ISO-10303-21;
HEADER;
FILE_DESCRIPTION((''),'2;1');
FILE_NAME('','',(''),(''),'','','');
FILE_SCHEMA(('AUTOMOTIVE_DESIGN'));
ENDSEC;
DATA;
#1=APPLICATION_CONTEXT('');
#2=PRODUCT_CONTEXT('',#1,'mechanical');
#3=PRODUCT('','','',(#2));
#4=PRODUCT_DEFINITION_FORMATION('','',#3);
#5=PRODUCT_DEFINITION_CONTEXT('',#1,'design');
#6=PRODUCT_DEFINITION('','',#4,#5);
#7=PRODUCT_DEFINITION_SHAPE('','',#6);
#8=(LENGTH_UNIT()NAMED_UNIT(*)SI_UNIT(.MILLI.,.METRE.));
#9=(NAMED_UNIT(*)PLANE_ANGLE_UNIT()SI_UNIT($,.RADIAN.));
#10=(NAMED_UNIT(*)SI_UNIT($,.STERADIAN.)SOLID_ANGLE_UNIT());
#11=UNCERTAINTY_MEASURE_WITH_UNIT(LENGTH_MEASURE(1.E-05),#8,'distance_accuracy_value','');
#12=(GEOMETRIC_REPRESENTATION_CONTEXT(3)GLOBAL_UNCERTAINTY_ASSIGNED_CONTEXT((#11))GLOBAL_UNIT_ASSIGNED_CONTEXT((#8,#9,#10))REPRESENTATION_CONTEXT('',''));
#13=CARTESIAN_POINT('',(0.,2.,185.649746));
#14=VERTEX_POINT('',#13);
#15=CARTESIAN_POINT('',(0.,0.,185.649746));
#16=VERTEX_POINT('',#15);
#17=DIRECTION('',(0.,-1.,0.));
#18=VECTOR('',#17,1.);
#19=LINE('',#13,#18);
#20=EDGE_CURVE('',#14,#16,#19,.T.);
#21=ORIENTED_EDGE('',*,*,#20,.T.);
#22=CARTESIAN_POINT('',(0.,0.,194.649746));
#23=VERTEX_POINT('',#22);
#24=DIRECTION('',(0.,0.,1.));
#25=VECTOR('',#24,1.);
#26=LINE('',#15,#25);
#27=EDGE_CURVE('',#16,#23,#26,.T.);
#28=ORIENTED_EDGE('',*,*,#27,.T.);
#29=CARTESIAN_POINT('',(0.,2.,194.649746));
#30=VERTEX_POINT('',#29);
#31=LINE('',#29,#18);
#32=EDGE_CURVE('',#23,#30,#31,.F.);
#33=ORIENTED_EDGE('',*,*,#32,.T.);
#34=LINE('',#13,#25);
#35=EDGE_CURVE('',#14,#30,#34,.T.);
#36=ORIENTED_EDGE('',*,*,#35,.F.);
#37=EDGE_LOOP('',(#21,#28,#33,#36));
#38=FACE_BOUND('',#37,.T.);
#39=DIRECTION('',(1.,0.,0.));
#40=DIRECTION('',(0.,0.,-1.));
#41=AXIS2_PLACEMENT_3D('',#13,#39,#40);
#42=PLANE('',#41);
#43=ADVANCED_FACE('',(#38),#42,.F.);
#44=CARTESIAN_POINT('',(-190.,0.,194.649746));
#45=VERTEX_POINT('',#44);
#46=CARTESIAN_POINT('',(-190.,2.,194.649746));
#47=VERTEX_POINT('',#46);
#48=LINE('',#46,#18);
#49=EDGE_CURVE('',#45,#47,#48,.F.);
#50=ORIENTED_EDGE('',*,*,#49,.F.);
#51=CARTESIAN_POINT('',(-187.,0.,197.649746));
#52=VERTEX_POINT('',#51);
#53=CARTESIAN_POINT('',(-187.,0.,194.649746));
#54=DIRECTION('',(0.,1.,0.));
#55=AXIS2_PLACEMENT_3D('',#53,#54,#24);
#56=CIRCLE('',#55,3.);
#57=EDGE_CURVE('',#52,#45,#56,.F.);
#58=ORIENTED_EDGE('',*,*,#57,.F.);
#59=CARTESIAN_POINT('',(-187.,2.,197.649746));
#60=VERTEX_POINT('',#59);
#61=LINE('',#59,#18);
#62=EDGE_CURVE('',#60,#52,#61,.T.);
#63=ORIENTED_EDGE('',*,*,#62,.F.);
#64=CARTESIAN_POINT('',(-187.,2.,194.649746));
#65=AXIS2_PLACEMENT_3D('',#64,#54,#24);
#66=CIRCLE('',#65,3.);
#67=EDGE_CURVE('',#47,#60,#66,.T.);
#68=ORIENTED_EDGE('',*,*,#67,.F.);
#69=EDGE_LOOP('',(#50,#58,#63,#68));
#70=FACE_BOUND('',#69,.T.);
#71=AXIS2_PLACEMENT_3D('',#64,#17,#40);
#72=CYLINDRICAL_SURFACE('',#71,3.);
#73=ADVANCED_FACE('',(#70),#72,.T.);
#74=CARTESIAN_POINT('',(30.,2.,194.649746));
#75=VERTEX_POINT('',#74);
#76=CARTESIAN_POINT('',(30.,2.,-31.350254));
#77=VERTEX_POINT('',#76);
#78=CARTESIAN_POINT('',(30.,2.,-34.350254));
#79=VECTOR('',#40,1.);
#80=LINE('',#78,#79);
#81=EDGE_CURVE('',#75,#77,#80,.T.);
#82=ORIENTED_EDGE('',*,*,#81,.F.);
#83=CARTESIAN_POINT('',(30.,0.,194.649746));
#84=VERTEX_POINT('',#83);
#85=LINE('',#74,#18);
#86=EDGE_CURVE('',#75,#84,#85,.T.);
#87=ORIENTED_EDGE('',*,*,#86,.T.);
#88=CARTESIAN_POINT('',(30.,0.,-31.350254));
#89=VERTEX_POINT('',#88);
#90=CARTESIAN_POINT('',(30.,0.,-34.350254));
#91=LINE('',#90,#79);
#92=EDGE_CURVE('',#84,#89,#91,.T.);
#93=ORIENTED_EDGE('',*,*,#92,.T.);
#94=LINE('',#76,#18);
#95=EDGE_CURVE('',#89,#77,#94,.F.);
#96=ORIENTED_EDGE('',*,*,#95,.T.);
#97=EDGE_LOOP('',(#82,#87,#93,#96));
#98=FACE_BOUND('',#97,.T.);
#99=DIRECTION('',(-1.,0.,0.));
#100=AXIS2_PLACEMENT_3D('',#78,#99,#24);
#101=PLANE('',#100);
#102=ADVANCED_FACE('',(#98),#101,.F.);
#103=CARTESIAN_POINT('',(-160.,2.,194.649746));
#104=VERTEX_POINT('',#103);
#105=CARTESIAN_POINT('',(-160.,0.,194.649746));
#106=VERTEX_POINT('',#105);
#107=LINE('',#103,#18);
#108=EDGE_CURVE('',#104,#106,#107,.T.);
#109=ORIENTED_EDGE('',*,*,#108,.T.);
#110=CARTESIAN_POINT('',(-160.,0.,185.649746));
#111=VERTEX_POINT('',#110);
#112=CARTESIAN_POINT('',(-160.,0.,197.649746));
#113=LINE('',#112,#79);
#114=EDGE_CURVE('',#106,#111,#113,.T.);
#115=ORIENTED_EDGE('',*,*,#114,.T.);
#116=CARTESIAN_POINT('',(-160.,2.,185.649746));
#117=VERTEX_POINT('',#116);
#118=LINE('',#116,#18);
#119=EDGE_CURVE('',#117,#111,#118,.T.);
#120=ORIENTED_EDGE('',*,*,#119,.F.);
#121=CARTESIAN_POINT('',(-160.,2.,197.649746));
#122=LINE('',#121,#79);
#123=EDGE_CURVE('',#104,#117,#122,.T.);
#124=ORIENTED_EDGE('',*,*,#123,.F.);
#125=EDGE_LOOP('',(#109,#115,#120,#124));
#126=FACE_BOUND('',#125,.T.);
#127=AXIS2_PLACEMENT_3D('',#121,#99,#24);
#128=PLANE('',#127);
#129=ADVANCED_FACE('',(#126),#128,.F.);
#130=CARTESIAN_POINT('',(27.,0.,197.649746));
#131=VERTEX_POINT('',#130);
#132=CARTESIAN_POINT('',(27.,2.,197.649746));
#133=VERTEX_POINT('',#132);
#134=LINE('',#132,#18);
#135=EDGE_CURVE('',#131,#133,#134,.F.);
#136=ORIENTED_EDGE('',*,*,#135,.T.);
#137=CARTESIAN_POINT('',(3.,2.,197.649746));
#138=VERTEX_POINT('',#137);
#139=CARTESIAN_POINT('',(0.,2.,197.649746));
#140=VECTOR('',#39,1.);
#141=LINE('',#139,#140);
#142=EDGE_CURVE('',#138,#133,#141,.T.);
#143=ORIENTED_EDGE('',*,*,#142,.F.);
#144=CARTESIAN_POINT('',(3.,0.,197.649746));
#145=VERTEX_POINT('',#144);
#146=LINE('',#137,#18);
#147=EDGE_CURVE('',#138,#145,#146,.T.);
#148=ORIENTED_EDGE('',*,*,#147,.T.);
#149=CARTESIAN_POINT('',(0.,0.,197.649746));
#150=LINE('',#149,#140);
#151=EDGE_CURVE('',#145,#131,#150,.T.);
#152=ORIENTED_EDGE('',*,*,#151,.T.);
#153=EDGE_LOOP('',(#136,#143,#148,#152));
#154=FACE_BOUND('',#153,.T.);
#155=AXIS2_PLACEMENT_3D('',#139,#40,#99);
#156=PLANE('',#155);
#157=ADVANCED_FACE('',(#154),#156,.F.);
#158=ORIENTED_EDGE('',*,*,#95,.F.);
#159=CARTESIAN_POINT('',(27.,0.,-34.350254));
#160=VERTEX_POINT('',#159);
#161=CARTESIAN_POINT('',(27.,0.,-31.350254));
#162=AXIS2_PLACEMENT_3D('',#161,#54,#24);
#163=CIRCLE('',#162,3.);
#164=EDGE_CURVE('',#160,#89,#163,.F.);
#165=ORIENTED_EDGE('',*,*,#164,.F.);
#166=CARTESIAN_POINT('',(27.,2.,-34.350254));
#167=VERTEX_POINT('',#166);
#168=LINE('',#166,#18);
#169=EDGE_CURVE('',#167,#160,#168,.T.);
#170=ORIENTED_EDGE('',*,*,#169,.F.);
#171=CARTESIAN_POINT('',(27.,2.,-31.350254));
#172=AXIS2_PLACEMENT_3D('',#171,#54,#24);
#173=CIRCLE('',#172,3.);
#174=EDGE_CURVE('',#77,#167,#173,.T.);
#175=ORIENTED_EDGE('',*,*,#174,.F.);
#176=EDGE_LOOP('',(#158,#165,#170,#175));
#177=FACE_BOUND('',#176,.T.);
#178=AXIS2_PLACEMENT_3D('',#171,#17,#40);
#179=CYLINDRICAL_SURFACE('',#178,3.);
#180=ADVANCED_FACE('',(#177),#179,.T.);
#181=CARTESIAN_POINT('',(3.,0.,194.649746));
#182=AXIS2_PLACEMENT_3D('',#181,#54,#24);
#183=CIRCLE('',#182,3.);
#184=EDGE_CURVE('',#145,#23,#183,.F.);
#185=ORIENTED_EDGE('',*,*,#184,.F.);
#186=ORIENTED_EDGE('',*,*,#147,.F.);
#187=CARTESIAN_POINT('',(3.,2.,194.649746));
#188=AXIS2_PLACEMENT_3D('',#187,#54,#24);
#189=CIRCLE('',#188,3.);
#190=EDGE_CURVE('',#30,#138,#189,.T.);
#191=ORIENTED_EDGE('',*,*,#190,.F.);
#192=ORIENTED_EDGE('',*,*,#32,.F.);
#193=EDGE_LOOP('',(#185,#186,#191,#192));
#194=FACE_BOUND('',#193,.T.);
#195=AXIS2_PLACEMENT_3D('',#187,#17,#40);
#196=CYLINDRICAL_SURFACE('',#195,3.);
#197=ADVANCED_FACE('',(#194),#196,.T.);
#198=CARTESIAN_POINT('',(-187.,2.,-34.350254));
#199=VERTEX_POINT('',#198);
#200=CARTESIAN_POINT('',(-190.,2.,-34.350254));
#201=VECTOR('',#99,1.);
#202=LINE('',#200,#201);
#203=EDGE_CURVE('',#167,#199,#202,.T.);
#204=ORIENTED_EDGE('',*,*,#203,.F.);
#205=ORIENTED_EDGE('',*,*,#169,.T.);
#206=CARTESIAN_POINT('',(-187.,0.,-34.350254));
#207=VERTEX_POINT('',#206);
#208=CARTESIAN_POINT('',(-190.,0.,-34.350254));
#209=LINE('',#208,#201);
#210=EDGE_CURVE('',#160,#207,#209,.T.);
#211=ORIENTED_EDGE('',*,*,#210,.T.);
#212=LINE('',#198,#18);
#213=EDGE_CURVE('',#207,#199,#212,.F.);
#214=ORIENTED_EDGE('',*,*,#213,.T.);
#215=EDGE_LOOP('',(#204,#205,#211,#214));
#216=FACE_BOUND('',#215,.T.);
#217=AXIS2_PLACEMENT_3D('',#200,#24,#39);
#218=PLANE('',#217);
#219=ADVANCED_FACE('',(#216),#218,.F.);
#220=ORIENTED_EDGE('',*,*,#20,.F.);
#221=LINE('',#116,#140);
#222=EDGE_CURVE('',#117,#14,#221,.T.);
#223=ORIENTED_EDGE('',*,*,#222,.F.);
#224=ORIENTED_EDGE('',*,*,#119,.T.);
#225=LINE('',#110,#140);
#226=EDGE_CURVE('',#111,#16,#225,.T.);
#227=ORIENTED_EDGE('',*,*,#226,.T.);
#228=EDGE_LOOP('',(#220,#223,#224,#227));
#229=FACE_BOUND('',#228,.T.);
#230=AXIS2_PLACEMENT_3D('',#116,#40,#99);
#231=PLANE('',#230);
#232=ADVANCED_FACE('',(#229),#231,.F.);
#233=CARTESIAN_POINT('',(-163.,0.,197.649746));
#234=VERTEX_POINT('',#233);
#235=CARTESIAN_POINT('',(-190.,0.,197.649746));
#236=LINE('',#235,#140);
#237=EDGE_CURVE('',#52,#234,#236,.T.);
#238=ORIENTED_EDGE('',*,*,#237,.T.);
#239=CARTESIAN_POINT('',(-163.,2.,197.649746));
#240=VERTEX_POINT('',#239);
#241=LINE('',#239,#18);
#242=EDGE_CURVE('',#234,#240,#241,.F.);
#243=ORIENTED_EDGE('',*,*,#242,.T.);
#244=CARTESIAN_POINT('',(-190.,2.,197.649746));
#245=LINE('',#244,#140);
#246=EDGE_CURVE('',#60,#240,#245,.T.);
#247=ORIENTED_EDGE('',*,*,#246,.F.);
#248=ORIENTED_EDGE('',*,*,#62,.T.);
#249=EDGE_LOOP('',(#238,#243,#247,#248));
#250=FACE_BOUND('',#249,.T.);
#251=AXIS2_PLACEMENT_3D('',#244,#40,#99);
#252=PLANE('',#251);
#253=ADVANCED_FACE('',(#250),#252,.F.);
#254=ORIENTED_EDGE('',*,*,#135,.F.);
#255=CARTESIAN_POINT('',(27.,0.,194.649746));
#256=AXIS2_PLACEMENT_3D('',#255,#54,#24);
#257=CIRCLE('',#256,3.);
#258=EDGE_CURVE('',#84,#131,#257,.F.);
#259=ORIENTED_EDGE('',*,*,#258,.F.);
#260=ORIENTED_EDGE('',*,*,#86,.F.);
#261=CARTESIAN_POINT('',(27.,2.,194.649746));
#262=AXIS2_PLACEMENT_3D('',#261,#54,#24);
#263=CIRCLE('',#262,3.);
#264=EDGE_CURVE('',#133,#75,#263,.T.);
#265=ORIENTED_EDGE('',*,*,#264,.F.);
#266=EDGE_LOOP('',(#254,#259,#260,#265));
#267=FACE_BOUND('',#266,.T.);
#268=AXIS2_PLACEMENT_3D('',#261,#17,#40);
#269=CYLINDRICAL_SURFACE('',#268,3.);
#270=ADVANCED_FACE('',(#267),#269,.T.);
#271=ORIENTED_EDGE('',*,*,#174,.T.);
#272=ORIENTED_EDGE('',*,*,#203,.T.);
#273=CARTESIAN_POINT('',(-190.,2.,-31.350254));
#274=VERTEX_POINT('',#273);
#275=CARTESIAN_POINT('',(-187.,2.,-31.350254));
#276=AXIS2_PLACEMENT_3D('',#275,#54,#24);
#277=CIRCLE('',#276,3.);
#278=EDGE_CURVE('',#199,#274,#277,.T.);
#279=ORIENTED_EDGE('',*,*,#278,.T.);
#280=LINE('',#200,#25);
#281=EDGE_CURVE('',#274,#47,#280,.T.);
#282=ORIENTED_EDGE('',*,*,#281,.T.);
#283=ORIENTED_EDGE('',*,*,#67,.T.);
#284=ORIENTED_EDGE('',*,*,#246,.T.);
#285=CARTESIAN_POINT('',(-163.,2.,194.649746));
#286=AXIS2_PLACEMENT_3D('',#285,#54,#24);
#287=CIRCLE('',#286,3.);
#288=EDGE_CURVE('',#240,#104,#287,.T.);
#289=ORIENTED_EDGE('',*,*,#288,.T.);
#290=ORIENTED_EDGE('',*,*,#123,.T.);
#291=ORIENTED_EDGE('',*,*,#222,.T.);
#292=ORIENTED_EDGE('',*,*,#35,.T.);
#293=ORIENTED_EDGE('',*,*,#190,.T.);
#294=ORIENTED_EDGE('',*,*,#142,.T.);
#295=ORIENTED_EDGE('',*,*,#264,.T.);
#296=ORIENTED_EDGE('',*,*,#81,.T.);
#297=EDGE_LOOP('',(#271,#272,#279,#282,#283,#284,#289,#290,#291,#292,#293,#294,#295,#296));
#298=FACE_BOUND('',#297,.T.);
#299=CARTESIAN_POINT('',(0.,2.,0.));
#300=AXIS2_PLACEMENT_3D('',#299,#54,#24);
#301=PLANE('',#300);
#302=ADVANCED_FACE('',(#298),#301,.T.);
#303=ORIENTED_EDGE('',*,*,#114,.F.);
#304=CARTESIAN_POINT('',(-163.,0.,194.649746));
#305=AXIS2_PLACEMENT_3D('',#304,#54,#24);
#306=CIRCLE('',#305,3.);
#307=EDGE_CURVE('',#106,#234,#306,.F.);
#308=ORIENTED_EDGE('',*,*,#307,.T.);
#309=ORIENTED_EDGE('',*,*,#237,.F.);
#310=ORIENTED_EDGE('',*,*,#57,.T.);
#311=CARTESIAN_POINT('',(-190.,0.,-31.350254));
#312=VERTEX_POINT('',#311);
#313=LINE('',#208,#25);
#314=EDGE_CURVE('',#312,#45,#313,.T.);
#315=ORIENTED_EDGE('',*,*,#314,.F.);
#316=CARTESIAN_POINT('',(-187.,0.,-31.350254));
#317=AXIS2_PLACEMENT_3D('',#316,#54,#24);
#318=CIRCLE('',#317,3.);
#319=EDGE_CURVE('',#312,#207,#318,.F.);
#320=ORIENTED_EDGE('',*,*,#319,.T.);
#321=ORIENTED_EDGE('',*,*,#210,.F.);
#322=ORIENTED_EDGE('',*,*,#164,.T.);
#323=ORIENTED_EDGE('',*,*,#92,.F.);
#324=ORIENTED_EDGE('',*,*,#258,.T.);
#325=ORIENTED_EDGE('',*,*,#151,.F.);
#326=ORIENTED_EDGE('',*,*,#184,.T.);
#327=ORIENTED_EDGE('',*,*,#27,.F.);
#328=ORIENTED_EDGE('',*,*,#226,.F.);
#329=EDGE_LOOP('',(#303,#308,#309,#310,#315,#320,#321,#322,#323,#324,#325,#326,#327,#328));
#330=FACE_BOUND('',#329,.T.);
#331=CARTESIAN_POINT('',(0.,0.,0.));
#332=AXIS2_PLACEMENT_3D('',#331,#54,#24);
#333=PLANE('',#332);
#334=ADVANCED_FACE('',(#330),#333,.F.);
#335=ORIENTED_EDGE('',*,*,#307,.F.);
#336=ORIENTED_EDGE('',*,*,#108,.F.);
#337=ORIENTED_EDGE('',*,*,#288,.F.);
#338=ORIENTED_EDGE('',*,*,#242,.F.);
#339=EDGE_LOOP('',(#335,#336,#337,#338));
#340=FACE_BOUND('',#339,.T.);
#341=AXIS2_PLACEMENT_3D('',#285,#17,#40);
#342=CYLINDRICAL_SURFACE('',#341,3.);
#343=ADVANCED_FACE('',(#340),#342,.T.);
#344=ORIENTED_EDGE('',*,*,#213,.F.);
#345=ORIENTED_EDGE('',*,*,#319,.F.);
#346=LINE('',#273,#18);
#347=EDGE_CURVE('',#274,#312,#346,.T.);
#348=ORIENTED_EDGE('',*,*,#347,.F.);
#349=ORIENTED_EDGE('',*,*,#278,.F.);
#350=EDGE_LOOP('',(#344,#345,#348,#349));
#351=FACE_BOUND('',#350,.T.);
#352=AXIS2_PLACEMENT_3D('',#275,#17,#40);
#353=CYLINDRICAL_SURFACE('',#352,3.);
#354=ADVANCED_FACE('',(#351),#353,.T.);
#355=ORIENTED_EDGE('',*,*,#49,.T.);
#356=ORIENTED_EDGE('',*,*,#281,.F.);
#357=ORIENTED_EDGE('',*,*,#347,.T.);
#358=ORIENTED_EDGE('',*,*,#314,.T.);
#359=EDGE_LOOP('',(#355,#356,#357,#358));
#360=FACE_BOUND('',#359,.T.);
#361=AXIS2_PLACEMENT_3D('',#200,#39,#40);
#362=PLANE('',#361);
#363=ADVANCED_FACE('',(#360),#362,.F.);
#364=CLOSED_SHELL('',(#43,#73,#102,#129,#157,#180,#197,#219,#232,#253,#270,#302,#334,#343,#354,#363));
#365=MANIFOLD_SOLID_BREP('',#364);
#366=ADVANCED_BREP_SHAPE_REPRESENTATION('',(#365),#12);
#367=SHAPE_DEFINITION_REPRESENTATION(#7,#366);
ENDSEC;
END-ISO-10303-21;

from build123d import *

# Parameters (mm, degrees)
BOSS_EXTRUDE1_DEPTH = 2
FILLET1_R           = 3


with BuildPart() as part:
    # Sketch1 → Boss-Extrude1 (new body)
    with BuildSketch(Plane(origin=(0, 0, 0), x_dir=(1, 0, 0), z_dir=(0, 1, 0))):
        Polygon((-160, -197.649746193), (-160, -185.649746193), (0, -185.649746193), (0, -197.649746193), (30, -197.649746193), (30, 34.350253807), (-190, 34.350253807), (-190, -197.649746193), align=None)
    extrude(amount=BOSS_EXTRUDE1_DEPTH)

    # Fillet1
    fillet1_edges = [part.edges().sort_by_distance(p)[0] for p in [
        (-190, 1, -34.350253807),
        (30, 1, -34.350253807),
        (30, 1, 197.649746193),
        (0, 1, 197.649746193),
        (-160, 1, 197.649746193),
        (-190, 1, 197.649746193),
    ]]
    fillet(fillet1_edges, radius=FILLET1_R)


solid = part.part
